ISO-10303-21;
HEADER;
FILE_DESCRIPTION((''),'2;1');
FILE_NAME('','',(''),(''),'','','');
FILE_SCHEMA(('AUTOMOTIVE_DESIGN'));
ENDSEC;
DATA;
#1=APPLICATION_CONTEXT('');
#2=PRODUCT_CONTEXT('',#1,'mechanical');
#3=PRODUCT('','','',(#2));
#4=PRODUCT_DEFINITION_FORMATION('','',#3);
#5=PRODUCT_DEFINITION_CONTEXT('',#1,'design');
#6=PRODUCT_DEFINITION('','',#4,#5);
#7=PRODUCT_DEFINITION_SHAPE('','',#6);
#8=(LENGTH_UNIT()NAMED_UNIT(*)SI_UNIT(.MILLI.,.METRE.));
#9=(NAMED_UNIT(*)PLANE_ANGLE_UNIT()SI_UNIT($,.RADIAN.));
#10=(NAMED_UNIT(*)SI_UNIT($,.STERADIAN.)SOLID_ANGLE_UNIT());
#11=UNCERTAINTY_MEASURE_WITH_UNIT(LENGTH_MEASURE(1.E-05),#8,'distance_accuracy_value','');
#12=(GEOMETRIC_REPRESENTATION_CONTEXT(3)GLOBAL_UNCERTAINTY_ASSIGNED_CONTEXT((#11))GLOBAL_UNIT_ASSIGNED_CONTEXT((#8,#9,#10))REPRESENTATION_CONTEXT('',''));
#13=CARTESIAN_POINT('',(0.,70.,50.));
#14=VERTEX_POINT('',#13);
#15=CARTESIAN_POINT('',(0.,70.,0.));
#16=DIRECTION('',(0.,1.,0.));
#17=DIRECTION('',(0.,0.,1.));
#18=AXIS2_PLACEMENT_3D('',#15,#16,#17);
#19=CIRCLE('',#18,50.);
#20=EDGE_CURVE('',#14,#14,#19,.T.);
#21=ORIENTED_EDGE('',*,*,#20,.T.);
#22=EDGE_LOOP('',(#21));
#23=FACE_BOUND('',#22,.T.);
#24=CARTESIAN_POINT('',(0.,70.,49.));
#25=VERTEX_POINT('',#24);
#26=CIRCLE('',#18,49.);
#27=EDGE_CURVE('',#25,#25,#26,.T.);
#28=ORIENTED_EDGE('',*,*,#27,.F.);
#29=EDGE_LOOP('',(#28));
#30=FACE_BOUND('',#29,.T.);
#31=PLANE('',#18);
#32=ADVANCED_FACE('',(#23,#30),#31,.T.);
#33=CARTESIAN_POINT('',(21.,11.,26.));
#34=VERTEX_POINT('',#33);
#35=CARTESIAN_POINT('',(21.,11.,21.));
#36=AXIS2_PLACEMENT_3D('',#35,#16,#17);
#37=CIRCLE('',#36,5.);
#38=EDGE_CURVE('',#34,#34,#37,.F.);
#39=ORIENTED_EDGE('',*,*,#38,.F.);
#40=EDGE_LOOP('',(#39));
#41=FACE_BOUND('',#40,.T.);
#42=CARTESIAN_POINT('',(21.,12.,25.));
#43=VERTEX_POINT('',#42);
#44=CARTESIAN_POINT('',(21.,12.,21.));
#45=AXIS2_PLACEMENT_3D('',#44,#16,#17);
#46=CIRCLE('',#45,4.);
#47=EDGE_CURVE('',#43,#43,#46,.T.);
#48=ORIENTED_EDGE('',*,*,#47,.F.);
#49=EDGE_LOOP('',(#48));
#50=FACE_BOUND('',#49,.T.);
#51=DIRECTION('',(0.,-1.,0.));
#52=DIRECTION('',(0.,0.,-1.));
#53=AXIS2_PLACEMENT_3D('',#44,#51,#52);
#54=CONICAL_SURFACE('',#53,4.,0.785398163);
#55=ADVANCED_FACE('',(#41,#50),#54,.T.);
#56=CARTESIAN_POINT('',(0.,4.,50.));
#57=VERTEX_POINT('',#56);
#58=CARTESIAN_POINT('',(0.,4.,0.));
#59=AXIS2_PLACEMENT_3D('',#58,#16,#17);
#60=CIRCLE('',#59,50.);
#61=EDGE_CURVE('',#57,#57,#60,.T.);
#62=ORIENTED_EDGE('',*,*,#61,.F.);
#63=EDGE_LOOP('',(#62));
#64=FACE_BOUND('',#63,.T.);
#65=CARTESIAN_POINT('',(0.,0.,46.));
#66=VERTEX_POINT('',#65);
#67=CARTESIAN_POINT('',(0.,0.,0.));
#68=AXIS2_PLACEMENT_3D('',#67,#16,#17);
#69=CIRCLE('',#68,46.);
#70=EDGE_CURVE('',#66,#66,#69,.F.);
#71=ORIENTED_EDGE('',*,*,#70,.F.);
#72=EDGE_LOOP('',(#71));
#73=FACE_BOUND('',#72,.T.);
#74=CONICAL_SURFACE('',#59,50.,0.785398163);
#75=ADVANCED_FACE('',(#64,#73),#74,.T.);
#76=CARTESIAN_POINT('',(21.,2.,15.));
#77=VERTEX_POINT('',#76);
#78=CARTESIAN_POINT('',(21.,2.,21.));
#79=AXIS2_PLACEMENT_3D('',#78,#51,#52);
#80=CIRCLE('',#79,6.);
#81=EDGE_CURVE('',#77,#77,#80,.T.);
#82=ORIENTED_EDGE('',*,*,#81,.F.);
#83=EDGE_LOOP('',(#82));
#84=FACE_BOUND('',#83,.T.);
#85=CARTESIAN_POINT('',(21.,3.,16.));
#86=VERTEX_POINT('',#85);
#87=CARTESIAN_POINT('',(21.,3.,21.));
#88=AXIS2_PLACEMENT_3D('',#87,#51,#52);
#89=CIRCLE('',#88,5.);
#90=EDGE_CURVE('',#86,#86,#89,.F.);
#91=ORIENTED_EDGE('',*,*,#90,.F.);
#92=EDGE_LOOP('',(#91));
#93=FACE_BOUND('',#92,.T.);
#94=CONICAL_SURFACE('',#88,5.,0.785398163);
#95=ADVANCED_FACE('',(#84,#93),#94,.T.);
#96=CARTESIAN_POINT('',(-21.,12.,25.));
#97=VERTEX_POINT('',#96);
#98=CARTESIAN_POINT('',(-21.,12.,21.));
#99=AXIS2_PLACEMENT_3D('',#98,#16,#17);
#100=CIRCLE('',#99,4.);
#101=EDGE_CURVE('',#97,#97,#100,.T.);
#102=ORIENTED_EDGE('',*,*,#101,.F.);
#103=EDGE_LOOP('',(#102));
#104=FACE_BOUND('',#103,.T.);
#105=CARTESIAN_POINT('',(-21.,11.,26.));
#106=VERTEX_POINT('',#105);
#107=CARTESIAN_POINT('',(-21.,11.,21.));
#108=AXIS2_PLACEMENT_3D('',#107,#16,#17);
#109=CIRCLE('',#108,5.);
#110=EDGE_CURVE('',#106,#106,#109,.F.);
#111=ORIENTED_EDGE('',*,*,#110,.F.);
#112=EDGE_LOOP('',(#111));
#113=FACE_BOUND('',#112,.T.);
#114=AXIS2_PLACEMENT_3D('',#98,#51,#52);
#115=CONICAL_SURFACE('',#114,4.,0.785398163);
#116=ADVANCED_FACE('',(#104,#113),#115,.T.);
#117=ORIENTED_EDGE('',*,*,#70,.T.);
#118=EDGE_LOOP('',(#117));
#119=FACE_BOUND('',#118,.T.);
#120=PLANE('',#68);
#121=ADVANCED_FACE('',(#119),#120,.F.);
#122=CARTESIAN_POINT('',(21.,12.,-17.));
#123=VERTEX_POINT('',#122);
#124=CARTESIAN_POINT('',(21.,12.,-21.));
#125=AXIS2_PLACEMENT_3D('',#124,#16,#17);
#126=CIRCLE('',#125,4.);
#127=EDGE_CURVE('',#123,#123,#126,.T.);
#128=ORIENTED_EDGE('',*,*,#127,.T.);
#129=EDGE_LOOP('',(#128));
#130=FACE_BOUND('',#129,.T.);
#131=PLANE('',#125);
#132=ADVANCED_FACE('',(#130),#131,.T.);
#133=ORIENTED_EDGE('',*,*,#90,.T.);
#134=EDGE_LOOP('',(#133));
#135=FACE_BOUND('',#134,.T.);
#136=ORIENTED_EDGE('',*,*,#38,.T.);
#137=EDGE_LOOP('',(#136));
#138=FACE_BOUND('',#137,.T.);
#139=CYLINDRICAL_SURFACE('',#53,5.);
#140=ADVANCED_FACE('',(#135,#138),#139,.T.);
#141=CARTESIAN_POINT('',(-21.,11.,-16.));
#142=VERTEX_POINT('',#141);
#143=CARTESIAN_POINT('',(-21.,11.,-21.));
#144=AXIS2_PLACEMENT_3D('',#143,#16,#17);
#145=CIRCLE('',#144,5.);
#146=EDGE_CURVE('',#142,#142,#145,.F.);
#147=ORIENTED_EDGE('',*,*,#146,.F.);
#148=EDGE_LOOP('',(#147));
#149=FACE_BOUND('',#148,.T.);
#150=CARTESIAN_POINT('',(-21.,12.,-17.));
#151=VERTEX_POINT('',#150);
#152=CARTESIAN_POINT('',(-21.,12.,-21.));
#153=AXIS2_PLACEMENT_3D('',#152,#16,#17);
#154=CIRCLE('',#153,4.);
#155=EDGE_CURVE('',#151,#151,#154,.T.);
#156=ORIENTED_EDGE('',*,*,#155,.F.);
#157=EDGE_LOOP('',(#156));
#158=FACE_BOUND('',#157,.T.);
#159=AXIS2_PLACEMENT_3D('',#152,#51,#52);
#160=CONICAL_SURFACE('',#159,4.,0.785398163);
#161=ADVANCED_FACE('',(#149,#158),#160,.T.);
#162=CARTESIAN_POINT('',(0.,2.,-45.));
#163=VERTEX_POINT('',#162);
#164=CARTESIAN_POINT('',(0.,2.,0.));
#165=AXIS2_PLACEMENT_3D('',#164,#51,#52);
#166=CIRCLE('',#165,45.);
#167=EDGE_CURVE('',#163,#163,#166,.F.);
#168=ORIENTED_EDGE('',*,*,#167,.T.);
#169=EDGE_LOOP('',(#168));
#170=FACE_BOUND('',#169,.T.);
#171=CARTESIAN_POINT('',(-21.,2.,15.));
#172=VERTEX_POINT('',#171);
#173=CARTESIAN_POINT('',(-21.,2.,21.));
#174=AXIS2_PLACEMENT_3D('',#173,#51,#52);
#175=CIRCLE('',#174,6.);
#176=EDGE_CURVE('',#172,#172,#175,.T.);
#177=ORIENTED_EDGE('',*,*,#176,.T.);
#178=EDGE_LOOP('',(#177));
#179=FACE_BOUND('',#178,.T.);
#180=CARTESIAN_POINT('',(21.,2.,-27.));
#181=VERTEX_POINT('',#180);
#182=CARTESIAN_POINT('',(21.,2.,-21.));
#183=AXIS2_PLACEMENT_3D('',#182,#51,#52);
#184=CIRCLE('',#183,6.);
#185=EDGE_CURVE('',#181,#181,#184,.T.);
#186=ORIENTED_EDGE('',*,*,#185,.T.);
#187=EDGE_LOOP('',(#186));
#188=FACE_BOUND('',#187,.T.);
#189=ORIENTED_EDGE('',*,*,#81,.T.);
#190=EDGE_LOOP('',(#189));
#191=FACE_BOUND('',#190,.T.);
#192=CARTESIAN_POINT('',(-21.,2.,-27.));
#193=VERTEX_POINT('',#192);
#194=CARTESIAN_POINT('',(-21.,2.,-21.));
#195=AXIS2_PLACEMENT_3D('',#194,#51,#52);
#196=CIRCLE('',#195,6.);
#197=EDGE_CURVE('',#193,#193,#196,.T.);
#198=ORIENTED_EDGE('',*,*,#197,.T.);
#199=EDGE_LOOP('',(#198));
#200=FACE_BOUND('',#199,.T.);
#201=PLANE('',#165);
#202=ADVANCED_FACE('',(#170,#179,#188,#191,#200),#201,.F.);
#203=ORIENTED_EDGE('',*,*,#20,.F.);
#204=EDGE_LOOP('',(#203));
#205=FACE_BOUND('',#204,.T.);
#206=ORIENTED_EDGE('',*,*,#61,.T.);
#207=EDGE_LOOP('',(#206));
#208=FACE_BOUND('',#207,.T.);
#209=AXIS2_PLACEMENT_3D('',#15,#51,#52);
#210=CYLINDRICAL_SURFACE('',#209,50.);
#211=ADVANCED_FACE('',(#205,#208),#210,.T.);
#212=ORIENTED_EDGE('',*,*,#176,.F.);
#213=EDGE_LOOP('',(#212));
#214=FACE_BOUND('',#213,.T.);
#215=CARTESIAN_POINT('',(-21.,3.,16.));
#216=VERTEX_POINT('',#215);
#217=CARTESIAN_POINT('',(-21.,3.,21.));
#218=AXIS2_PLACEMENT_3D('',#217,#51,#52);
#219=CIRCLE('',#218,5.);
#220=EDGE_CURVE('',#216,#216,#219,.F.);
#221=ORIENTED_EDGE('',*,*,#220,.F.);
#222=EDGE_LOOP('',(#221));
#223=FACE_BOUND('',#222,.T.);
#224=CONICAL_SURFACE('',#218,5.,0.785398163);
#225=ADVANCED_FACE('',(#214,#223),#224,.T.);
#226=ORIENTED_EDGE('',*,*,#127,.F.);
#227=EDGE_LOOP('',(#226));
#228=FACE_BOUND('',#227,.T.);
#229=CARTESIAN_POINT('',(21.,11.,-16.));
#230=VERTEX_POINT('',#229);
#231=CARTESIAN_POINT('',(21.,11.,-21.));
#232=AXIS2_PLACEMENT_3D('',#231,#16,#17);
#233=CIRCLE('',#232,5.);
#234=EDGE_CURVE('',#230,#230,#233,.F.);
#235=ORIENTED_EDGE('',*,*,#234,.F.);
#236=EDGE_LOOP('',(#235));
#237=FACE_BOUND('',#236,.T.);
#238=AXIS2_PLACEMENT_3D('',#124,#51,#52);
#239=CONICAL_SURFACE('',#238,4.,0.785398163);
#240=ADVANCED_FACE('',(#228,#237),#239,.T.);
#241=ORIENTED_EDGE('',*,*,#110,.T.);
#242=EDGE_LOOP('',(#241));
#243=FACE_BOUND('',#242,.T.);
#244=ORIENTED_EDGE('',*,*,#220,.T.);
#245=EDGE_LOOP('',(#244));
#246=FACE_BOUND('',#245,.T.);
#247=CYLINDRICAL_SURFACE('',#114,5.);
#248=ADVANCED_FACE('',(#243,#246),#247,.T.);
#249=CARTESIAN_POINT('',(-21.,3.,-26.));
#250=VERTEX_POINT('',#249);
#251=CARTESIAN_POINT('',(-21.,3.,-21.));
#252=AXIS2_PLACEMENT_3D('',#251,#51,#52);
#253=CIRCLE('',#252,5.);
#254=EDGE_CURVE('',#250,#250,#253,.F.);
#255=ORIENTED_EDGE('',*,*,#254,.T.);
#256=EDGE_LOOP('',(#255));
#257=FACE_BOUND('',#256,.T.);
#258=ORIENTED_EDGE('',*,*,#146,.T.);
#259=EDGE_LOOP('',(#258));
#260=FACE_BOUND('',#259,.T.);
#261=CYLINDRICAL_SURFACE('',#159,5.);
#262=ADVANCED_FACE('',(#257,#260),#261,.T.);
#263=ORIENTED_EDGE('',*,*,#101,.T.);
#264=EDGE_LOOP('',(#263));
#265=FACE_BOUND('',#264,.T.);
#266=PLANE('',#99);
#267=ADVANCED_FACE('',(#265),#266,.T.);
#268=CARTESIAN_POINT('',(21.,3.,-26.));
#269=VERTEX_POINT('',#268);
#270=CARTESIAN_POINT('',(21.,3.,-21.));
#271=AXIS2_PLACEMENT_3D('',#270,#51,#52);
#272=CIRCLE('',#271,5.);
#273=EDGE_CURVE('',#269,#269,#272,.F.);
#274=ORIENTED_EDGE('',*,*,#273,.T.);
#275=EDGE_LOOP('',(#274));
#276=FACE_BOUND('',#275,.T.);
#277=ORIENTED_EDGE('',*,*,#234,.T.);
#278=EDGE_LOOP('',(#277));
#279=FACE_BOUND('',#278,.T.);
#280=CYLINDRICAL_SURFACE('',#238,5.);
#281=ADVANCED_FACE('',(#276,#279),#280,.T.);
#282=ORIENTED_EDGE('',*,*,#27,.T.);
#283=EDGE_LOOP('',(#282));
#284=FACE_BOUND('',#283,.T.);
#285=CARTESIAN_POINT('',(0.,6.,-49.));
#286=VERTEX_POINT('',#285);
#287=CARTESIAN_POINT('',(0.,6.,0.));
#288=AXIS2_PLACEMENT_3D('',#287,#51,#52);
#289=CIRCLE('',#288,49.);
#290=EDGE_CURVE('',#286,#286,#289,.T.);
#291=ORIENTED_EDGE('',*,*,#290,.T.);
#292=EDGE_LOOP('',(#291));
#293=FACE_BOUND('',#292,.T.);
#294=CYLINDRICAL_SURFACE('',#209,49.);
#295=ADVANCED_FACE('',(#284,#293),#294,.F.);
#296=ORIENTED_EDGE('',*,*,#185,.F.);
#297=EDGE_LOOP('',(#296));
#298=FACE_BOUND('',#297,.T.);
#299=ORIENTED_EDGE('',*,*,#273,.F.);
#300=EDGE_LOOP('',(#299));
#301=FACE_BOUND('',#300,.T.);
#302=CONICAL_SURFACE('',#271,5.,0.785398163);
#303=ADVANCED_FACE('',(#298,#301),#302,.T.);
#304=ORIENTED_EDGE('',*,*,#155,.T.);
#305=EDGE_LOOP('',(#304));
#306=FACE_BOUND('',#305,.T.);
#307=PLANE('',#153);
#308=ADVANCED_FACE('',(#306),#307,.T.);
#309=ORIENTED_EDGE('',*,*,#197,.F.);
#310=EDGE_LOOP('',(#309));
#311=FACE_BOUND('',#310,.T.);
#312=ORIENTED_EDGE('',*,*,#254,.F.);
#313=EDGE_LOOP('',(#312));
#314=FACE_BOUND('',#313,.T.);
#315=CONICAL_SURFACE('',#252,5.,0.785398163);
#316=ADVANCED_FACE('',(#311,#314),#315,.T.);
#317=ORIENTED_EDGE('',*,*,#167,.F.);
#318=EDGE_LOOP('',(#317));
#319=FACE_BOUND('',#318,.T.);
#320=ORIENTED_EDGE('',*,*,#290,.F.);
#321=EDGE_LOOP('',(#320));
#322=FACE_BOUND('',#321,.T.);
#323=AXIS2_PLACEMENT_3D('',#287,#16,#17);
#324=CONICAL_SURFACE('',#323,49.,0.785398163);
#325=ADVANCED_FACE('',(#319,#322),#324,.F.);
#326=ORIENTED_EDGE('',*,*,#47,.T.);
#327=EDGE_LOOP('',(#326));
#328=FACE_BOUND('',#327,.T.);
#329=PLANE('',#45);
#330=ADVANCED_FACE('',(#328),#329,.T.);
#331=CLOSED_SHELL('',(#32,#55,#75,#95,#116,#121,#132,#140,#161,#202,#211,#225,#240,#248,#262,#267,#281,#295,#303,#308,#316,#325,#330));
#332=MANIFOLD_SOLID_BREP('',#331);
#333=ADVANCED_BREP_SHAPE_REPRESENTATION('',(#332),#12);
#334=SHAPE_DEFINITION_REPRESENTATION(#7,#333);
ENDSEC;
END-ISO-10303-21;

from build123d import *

# Parameters (mm, degrees)
SKETCH1_R                = 50
SKETCH1_R_2              = 49
MAIN_WALL_DEPTH          = 70
SKETCH2_R                = 50
FLOOR_2_DEPTH            = 2
INNER_FLOOR_CHAMFER_SIZE = 4
OUTER_FLOOR_CHAMFER_SIZE = 4
SKETCH3_R                = 5
CONNECTOR_PEG_DEPTH      = 10
PEG_CHAMFER_SIZE         = 1
CHAMFER1_SIZE            = 1


with BuildPart() as part:
    # Sketch1 → Main Wall (new body)
    with BuildSketch(Plane(origin=(0, 0, 0), x_dir=(1, 0, 0), z_dir=(0, 1, 0))):
        with Locations(Location((0, 0, 0), (0, 0, 270))):
            Circle(SKETCH1_R)
        with Locations(Location((0, 0, 0), (0, 0, 270))):
            Circle(SKETCH1_R_2, mode=Mode.SUBTRACT)
    extrude(amount=MAIN_WALL_DEPTH)

    # Sketch2 → Floor 2 (add)
    with BuildSketch(Plane.XZ):
        with Locations(Location((0, 0, 0), (0, 0, 90))):
            Circle(SKETCH2_R)
    extrude(amount=-FLOOR_2_DEPTH)

    # Inner Floor Chamfer
    inner_floor_chamfer_edges = [part.edges().sort_by_distance(p)[0] for p in [
        (0, 2, -49),
    ]]
    chamfer(inner_floor_chamfer_edges, length=INNER_FLOOR_CHAMFER_SIZE)

    # Outer Floor Chamfer
    outer_floor_chamfer_edges = [part.edges().sort_by_distance(p)[0] for p in [
        (0, 0, -50),
    ]]
    chamfer(outer_floor_chamfer_edges, length=OUTER_FLOOR_CHAMFER_SIZE)

    # Sketch3 → Connector Peg (add)
    with BuildSketch(Plane(origin=(0, 2, 0), x_dir=(1, 0, 0), z_dir=(0, 1, 0))):
        with Locations(Location((-21, 21, 0), (0, 0, 90))):
            Circle(SKETCH3_R)
        with Locations(Location((21, 21, 0), (0, 0, 90))):
            Circle(SKETCH3_R)
        with Locations(Location((21, -21, 0), (0, 0, 90))):
            Circle(SKETCH3_R)
        with Locations(Location((-21, -21, 0), (0, 0, 90))):
            Circle(SKETCH3_R)
    extrude(amount=CONNECTOR_PEG_DEPTH)

    # Peg Chamfer
    peg_chamfer_edges = [part.edges().sort_by_distance(p)[0] for p in [
        (-21, 12, -16),
        (21, 12, -16),
        (21, 12, 26),
        (-21, 12, 26),
    ]]
    chamfer(peg_chamfer_edges, length=PEG_CHAMFER_SIZE)

    # Chamfer1
    chamfer1_edges = [part.edges().sort_by_distance(p)[0] for p in [
        (-21, 2, -16),
        (21, 2, -16),
        (21, 2, 26),
        (-21, 2, 26),
    ]]
    chamfer(chamfer1_edges, length=CHAMFER1_SIZE)


solid = part.part
